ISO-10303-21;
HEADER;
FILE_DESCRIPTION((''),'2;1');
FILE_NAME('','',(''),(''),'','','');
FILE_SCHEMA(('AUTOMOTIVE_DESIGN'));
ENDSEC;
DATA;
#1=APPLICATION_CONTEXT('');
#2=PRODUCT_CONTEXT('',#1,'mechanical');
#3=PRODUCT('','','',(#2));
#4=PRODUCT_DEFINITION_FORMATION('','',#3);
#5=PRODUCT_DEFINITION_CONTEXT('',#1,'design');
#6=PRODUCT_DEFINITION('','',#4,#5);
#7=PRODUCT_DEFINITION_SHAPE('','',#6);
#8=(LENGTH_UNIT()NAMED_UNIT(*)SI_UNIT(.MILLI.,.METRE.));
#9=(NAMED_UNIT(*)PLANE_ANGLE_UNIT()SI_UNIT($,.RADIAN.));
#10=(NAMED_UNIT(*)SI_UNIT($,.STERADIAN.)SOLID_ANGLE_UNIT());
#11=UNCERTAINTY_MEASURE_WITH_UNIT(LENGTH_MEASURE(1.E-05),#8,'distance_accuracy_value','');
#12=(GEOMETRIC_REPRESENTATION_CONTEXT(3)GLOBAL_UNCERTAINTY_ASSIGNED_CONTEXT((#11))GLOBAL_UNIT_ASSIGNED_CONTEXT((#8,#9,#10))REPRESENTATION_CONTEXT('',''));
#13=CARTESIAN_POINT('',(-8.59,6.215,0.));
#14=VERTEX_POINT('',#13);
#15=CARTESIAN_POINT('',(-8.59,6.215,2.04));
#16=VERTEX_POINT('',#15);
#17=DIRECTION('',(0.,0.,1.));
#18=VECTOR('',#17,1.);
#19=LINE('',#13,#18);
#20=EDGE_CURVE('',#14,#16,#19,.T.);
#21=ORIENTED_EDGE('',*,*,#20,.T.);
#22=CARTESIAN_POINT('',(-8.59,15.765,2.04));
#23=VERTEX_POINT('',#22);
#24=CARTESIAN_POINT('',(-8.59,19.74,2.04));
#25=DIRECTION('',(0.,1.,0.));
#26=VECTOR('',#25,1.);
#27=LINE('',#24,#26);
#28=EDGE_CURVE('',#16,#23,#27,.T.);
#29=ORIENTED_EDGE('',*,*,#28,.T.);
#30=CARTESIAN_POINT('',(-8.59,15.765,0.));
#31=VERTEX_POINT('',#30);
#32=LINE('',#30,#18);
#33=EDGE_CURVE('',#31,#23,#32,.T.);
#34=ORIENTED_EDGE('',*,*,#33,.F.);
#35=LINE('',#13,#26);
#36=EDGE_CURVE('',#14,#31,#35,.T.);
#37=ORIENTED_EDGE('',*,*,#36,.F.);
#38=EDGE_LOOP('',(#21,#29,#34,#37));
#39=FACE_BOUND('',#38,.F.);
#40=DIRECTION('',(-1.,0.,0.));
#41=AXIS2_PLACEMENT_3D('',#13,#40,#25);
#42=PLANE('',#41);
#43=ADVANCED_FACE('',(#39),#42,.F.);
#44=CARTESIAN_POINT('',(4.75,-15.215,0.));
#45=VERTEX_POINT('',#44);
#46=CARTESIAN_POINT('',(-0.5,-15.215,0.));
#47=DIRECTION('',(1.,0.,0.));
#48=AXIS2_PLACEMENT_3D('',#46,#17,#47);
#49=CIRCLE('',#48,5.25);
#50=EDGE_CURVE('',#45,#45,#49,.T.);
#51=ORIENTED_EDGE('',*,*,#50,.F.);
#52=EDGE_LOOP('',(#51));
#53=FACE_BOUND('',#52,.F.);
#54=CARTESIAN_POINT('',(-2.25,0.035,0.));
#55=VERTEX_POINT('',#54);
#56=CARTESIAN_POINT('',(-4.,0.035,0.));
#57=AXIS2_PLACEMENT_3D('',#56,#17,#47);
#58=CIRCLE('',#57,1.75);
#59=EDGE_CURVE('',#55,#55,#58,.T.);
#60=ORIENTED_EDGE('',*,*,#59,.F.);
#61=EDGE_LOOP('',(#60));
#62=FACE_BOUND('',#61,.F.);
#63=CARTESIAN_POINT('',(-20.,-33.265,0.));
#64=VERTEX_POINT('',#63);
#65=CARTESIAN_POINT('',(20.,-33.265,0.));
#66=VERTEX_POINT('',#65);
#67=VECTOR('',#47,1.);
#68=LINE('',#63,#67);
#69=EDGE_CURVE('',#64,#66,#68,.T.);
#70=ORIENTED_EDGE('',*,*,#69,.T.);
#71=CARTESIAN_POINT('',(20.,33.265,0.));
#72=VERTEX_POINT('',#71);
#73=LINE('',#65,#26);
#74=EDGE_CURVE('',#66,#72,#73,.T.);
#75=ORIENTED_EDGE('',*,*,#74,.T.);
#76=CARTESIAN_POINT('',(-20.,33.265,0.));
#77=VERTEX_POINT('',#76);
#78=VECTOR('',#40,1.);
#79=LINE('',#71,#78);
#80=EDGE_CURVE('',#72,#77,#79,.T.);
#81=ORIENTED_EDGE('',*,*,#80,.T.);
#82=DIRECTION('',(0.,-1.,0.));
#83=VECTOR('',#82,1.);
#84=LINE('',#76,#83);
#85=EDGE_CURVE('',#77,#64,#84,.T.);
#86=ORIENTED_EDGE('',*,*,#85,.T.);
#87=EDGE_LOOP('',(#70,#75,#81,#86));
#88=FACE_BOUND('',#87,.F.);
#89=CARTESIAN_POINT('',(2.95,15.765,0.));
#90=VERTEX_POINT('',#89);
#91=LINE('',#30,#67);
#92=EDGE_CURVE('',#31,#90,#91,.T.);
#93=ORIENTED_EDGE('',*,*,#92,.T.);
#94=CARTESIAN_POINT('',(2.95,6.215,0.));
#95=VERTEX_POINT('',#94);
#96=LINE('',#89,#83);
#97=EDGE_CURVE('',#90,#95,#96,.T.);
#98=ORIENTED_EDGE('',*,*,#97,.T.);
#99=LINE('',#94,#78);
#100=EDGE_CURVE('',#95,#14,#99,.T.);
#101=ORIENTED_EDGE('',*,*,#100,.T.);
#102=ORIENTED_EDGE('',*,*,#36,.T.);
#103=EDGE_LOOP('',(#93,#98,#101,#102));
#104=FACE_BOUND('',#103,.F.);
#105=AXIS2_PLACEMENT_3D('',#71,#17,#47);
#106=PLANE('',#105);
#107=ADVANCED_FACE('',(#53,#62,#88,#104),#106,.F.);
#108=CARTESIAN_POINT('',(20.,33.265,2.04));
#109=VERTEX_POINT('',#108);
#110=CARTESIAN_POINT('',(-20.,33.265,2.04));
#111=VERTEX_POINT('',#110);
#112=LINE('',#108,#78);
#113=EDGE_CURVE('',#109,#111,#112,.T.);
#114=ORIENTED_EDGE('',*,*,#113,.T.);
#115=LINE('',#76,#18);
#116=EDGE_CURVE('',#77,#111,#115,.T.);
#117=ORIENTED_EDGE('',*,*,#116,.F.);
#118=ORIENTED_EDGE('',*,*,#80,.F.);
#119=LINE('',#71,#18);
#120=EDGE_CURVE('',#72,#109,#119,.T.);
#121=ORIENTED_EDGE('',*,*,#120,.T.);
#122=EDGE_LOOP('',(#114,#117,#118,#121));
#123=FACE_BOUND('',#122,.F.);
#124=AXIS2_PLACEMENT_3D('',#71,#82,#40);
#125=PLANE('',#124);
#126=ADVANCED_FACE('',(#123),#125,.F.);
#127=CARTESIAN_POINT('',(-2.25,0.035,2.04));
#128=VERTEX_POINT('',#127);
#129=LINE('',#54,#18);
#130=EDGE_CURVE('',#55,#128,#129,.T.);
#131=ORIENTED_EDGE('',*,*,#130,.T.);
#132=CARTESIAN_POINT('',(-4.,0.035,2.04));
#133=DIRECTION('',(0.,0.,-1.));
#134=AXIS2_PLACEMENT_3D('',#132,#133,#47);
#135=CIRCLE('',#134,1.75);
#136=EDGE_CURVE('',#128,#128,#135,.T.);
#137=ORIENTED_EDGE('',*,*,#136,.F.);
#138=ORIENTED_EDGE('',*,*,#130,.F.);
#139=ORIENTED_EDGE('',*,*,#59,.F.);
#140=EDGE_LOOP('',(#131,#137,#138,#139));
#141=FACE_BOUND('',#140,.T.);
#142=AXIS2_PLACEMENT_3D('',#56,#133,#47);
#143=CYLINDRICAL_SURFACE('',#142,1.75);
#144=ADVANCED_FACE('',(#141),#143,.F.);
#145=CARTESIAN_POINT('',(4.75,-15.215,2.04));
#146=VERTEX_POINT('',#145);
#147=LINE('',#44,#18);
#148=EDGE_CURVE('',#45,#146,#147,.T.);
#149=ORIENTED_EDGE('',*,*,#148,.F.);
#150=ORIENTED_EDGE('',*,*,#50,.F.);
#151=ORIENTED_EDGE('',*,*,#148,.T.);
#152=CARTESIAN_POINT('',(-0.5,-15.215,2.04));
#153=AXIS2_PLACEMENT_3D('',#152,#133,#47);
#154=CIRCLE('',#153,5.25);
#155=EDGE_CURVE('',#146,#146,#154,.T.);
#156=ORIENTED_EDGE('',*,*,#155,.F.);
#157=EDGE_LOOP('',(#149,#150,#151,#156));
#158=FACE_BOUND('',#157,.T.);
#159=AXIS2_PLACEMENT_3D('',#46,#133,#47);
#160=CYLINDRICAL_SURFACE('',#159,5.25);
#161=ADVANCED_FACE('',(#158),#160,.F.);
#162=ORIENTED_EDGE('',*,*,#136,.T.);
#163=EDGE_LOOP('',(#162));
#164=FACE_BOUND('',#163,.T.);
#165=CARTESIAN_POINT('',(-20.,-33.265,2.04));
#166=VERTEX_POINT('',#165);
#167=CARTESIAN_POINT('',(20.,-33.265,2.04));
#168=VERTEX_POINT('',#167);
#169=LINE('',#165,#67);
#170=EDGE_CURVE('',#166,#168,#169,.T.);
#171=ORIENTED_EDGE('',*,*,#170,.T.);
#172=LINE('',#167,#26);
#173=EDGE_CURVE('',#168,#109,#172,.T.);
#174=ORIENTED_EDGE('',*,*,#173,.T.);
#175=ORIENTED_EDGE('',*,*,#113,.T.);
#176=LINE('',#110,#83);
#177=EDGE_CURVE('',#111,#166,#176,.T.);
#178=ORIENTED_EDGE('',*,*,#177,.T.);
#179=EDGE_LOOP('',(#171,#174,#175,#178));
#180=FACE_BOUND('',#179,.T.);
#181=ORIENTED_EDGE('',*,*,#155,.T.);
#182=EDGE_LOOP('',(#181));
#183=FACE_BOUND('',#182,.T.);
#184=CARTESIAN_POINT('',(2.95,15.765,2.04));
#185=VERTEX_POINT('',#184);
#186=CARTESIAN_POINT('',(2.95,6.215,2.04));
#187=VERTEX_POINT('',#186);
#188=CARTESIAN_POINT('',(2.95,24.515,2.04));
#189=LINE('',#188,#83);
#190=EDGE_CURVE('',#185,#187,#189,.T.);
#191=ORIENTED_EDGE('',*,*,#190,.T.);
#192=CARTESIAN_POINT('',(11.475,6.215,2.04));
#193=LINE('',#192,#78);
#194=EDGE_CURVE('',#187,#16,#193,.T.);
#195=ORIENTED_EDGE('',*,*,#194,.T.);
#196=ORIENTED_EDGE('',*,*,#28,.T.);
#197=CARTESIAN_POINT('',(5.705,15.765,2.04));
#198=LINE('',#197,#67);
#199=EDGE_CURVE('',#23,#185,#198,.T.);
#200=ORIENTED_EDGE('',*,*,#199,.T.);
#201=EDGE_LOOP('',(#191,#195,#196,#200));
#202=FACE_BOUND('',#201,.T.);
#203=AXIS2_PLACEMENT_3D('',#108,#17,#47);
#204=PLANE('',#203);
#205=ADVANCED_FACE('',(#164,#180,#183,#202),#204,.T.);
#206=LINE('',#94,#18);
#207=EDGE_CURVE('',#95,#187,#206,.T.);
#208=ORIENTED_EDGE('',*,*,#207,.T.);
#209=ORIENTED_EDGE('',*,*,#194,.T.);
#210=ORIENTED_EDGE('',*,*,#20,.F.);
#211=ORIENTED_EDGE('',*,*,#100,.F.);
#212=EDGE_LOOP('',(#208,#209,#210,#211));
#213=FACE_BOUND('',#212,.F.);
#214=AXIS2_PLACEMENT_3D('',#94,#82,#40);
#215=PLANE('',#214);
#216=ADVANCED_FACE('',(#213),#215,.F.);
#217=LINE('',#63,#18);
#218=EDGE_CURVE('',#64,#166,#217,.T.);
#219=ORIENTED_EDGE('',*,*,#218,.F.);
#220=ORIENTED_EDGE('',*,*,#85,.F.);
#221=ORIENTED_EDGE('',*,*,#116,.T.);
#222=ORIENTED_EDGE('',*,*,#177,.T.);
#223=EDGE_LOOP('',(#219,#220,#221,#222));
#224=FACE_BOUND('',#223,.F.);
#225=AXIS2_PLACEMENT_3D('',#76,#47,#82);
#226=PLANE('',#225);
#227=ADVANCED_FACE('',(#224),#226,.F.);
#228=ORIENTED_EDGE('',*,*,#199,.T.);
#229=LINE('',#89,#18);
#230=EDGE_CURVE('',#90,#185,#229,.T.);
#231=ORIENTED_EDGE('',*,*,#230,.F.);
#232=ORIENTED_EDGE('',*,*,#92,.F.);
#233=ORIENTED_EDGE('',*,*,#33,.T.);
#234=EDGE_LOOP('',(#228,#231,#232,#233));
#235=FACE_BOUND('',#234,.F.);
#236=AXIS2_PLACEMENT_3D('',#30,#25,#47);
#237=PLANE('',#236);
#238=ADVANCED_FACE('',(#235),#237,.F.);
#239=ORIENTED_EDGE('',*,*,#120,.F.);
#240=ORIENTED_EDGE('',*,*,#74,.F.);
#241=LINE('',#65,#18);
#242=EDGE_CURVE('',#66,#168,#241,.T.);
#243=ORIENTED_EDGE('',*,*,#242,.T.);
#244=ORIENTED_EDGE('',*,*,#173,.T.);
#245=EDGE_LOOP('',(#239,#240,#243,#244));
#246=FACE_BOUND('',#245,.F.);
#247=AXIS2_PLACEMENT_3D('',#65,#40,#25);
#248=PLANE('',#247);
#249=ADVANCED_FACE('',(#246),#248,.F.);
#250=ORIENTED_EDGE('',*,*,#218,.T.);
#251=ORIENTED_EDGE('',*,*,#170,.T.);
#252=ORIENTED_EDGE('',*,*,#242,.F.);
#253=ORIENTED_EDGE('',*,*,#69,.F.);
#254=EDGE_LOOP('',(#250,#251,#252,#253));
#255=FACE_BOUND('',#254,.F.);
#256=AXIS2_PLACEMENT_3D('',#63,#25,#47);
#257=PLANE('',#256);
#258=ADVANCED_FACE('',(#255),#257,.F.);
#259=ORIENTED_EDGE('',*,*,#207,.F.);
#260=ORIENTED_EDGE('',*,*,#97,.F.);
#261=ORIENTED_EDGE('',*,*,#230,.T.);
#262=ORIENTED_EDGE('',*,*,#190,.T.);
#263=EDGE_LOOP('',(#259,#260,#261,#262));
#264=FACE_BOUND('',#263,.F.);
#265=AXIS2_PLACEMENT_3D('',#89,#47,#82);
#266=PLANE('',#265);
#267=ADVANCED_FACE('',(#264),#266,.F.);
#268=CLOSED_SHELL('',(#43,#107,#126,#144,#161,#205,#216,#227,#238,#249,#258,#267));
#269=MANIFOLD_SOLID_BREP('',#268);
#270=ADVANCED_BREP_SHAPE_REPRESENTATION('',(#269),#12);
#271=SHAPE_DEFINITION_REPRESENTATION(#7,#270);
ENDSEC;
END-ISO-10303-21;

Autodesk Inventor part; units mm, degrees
ref_plane "YZ Plane" through (0, 0, 0) normal (1, 0, 0) x (0, 1, 0)
ref_plane "XZ Plane" through (0, 0, 0) normal (0, 1, 0) x (-1, 0, 0)
ref_plane "XY Plane" through (0, 0, 0) normal (0, 0, 1) x (1, 0, 0)
sketch "Sketch1" plane through (20, 33.265, 0) normal (0, 0, 1) x (1, 0, 0)
  line L0 (0, 0) -> (-40, 0)
  line L1 (-40, 0) -> (-40, -66.53)
  line L2 (-40, -66.53) -> (0, -66.53)
  line L3 (0, -66.53) -> (0, 0)
  point P0 (-20, -33.265)
  dimension "d3" = 40
  dimension "d2" = 66.53
  dimension "d1" = 33.265
  dimension "d0" = 20
extrude "Extrusion1" add sketch "Sketch1" along normal blind 2.04
sketch "Sketch2" plane through (0, 0, 0) normal (0, 0, 1) x (1, 0, 0)
  line L0 (2.95, 6.215) -> (-8.59, 6.215)
  line L1 (-8.59, 6.215) -> (-8.59, 15.765)
  line L2 (-8.59, 15.765) -> (2.95, 15.765)
  line L3 (2.95, 15.765) -> (2.95, 6.215)
  line L4 (20, -33.265) -> (20, 33.265) projected
  line L5 (20, 33.265) -> (-20, 33.265) projected
  circle A0 centre (-0.5, -15.215) radius 5.25
  line L6 (-20, 33.265) -> (-20, -33.265) projected
  line L7 (-20, -33.265) -> (20, -33.265) projected
  circle A1 centre (-4, 0.035) radius 1.75
  point P0 (0, 0)
  dimension "d7" = 17.05
  dimension "d8" = 11.54
  dimension "d9" = 9.55
  dimension "d10" = 17.5
  dimension "d11" = 19.5
  dimension "d12" = 10.5
  dimension "d13" = 18.05
  dimension "d14" = 16
  dimension "d15" = 3.5
  dimension "d16" = 33.3
extrude "Extrusion2" cut sketch "Sketch2" along normal up to next contours L0 L1 L2 L3 | A0 | A1
equation "\"d1\" = 0.5 * d2"
equation "\"d0\" = 0.5 * d3"
properties part number "temp_sensor_back_plate"
